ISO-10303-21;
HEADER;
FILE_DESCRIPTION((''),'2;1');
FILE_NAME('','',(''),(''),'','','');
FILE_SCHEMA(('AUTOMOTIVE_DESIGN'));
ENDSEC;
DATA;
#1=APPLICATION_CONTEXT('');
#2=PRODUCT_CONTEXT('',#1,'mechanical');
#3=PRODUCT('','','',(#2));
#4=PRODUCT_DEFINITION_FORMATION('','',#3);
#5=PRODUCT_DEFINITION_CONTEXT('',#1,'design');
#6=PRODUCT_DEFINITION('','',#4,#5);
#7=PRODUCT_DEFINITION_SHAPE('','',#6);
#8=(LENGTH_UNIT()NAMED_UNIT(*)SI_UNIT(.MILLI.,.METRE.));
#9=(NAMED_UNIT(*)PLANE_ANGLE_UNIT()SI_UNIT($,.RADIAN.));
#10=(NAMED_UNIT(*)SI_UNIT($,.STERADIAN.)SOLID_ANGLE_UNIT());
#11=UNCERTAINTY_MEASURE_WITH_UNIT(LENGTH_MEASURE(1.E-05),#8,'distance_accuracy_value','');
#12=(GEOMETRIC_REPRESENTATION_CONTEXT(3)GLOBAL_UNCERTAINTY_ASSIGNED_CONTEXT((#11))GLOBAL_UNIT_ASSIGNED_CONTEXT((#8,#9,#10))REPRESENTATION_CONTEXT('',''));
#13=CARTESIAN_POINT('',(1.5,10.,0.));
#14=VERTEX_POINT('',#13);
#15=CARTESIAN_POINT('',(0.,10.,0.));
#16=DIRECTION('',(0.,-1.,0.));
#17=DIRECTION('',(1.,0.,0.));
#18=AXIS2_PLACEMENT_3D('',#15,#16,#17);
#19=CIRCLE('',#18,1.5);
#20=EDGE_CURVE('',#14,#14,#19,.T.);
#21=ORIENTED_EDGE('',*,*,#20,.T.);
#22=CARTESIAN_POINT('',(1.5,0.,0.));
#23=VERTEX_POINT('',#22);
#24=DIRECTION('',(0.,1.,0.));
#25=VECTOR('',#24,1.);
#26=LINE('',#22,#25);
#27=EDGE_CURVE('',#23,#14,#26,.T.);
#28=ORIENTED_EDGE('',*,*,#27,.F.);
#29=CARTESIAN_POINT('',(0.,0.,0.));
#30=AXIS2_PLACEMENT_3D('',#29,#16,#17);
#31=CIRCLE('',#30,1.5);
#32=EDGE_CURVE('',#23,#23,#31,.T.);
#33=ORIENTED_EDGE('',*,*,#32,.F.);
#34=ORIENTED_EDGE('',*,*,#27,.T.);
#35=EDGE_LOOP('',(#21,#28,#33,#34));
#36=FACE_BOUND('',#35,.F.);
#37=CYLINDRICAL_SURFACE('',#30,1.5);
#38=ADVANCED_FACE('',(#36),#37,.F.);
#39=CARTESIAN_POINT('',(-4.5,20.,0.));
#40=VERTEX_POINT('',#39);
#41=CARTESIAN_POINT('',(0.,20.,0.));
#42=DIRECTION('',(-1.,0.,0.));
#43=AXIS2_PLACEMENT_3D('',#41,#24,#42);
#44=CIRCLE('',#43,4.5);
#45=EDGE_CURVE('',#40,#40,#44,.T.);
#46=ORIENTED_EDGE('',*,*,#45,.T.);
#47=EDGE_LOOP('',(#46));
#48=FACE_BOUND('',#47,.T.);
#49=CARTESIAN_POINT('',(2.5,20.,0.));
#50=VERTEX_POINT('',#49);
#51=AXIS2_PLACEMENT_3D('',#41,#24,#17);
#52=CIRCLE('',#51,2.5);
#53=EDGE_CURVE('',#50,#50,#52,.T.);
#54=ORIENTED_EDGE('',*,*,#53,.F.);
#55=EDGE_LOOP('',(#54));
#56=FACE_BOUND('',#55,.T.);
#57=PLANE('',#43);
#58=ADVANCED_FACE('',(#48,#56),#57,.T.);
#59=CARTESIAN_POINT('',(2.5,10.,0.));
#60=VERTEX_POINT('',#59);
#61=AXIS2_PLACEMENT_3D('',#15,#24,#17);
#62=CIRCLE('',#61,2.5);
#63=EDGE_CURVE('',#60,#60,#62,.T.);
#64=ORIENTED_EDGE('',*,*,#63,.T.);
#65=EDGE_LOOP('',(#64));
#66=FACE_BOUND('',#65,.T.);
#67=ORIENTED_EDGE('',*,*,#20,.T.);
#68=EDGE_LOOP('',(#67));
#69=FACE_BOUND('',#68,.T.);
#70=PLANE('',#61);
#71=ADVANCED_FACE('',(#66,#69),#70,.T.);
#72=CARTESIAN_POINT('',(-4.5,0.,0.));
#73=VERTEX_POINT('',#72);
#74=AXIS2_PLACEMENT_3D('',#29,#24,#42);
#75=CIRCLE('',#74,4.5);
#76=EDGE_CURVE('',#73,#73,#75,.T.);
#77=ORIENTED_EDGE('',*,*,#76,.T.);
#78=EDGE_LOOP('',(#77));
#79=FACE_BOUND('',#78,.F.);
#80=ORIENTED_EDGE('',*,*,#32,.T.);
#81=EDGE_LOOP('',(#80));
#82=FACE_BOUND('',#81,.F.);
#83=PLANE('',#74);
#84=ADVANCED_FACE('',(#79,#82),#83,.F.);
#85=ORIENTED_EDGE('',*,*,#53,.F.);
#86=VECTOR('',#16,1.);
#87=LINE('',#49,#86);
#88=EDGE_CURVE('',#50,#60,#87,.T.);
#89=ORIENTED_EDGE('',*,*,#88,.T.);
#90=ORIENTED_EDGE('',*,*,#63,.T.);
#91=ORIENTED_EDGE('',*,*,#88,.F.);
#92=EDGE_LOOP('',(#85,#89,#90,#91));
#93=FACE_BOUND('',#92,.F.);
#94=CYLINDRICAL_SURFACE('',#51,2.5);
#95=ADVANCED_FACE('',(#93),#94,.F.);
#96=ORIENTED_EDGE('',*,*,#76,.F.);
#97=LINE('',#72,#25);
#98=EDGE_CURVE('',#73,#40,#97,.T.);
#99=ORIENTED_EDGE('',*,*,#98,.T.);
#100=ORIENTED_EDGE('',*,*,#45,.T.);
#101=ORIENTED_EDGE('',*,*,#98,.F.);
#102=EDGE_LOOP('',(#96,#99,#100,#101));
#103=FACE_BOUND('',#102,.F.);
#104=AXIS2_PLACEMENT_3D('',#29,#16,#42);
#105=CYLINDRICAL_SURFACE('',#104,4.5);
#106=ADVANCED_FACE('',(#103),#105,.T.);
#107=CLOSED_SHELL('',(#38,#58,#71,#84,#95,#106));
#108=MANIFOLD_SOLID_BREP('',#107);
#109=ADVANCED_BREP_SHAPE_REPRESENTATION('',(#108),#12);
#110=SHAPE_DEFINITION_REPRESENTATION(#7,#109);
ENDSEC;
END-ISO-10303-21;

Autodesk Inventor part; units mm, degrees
ref_plane "YZ Plane" through (0, 0, 0) normal (1, 0, 0) x (0, 1, 0)
ref_plane "XZ Plane" through (0, 0, 0) normal (0, 1, 0) x (-1, 0, 0)
ref_plane "XY Plane" through (0, 0, 0) normal (0, 0, 1) x (1, 0, 0)
sketch "Sketch1" plane through (0, 0, 0) normal (0, 1, 0) x (-1, 0, 0)
  circle A0 centre (0, 0) radius 4.5
  dimension "d0" = 9
extrude "Extrusion1" add sketch "Sketch1" along normal blind 20
sketch "Sketch2" plane through (0, 20, 0) normal (0, 1, 0) x (1, 0, 0)
  circle A0 centre (0, 0) radius 2.5
  dimension "d3" = 5
extrude "Extrusion2" cut sketch "Sketch2" against normal blind 10
sketch "Sketch3" plane through (0, 0, 0) normal (0, -1, 0) x (1, 0, 0)
  circle A0 centre (0, 0) radius 1.5
  dimension "d6" = 3
extrude "Extrusion3" cut sketch "Sketch3" against normal blind 10
properties part number "Acoplador Eje" material "Brass, Soft Yellow"
